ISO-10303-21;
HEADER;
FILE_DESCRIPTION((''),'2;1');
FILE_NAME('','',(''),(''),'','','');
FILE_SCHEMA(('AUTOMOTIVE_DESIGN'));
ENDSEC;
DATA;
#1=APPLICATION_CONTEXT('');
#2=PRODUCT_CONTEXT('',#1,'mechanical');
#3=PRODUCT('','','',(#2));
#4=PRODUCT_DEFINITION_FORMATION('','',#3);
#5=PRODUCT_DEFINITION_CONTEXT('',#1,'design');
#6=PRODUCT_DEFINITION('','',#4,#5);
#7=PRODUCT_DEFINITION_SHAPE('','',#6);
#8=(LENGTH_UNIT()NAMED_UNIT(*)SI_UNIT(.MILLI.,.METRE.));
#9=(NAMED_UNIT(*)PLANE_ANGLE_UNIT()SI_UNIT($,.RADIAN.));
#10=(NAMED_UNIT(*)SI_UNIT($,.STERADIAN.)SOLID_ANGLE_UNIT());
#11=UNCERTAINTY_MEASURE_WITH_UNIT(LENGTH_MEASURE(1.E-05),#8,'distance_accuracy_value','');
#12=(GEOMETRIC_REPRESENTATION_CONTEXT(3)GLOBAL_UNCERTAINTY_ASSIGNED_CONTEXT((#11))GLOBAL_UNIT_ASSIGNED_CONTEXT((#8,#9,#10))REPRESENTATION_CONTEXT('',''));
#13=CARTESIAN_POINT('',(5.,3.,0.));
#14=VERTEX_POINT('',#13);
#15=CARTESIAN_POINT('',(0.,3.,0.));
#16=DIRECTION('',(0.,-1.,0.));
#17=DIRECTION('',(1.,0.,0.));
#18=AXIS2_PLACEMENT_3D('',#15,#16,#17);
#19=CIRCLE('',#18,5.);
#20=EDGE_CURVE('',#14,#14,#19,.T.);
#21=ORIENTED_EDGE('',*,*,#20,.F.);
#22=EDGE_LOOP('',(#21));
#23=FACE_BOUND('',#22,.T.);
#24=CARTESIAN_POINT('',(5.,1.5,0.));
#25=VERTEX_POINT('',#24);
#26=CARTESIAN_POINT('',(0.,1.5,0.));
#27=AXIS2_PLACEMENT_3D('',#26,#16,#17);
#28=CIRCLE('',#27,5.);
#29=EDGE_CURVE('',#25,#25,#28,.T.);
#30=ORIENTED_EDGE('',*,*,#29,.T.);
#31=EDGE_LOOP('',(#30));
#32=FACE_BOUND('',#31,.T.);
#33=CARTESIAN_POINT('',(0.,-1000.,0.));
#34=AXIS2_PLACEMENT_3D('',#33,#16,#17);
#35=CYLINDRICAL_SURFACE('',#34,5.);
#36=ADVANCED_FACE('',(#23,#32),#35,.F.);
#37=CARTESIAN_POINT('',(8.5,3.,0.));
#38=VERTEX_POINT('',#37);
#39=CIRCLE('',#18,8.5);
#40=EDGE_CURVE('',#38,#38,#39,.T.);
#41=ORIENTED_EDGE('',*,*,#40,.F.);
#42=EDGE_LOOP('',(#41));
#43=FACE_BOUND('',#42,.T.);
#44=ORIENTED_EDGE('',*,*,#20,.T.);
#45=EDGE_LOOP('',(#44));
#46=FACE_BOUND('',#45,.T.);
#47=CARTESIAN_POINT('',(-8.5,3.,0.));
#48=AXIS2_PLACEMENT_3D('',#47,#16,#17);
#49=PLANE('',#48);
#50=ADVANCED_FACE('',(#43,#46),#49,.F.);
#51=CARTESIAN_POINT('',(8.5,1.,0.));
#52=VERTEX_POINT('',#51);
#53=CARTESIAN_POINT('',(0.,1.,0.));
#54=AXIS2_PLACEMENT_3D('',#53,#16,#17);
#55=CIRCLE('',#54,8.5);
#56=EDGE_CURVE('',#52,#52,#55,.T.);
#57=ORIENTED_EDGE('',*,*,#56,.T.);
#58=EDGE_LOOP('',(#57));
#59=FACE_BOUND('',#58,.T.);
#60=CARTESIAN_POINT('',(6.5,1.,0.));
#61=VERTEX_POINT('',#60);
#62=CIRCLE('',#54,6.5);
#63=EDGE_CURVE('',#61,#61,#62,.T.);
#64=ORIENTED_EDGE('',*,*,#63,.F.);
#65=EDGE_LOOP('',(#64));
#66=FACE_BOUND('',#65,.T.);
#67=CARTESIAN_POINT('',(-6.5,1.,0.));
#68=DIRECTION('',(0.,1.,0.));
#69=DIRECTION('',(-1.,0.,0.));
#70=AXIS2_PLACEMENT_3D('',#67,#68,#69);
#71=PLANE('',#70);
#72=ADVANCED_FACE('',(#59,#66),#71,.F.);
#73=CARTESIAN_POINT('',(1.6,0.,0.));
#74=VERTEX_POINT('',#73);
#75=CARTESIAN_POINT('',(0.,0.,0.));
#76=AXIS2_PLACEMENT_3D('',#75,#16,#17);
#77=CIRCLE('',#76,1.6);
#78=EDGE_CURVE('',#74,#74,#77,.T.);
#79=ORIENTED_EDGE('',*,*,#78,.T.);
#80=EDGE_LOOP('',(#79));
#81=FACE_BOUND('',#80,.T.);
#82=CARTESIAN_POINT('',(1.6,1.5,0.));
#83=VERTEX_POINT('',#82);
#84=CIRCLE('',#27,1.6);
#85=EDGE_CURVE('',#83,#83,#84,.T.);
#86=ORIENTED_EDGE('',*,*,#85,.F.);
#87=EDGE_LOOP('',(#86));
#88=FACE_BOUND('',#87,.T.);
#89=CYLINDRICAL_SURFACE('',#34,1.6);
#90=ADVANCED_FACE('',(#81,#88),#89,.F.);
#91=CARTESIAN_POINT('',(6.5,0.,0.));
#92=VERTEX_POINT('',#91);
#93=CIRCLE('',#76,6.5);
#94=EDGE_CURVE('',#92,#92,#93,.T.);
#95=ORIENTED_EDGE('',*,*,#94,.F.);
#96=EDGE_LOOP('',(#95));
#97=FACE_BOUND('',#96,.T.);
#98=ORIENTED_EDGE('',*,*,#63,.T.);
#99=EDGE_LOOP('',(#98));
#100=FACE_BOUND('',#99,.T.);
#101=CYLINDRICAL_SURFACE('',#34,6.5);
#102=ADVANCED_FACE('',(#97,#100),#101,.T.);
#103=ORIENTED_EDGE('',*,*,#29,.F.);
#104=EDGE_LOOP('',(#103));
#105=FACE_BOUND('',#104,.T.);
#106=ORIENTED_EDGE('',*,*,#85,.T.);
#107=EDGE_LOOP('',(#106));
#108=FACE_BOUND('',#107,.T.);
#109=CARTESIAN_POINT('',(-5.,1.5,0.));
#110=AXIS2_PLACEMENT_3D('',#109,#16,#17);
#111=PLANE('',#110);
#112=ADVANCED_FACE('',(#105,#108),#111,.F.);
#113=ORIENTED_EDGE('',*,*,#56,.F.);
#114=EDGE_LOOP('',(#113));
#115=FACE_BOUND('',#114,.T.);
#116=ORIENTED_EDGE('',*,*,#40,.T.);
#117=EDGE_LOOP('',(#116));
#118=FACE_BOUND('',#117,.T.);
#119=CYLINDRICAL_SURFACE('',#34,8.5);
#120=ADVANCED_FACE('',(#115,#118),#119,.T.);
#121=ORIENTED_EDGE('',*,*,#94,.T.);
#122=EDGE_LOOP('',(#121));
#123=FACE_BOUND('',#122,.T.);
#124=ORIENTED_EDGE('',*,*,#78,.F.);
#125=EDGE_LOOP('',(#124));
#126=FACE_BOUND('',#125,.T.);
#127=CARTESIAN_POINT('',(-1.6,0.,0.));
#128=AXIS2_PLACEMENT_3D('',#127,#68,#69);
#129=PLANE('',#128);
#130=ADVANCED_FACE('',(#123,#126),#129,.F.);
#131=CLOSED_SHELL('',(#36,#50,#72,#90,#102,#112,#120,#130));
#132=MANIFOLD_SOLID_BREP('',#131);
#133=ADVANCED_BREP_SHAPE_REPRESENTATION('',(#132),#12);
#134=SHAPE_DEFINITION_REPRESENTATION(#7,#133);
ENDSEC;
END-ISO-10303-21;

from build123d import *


with BuildPart() as part:
    # Sketch1 → Revolve1 (revolve)
    with BuildSketch(Plane.XY):
        Polygon((-1.6, 0), (-6.5, 0), (-6.5, 1), (-8.5, 1), (-8.5, 3), (-5, 3), (-5, 1.5), (-1.6, 1.5), align=None)
    revolve(axis=Axis((0, -1000, 0), (0, 1, 0)))


solid = part.part
